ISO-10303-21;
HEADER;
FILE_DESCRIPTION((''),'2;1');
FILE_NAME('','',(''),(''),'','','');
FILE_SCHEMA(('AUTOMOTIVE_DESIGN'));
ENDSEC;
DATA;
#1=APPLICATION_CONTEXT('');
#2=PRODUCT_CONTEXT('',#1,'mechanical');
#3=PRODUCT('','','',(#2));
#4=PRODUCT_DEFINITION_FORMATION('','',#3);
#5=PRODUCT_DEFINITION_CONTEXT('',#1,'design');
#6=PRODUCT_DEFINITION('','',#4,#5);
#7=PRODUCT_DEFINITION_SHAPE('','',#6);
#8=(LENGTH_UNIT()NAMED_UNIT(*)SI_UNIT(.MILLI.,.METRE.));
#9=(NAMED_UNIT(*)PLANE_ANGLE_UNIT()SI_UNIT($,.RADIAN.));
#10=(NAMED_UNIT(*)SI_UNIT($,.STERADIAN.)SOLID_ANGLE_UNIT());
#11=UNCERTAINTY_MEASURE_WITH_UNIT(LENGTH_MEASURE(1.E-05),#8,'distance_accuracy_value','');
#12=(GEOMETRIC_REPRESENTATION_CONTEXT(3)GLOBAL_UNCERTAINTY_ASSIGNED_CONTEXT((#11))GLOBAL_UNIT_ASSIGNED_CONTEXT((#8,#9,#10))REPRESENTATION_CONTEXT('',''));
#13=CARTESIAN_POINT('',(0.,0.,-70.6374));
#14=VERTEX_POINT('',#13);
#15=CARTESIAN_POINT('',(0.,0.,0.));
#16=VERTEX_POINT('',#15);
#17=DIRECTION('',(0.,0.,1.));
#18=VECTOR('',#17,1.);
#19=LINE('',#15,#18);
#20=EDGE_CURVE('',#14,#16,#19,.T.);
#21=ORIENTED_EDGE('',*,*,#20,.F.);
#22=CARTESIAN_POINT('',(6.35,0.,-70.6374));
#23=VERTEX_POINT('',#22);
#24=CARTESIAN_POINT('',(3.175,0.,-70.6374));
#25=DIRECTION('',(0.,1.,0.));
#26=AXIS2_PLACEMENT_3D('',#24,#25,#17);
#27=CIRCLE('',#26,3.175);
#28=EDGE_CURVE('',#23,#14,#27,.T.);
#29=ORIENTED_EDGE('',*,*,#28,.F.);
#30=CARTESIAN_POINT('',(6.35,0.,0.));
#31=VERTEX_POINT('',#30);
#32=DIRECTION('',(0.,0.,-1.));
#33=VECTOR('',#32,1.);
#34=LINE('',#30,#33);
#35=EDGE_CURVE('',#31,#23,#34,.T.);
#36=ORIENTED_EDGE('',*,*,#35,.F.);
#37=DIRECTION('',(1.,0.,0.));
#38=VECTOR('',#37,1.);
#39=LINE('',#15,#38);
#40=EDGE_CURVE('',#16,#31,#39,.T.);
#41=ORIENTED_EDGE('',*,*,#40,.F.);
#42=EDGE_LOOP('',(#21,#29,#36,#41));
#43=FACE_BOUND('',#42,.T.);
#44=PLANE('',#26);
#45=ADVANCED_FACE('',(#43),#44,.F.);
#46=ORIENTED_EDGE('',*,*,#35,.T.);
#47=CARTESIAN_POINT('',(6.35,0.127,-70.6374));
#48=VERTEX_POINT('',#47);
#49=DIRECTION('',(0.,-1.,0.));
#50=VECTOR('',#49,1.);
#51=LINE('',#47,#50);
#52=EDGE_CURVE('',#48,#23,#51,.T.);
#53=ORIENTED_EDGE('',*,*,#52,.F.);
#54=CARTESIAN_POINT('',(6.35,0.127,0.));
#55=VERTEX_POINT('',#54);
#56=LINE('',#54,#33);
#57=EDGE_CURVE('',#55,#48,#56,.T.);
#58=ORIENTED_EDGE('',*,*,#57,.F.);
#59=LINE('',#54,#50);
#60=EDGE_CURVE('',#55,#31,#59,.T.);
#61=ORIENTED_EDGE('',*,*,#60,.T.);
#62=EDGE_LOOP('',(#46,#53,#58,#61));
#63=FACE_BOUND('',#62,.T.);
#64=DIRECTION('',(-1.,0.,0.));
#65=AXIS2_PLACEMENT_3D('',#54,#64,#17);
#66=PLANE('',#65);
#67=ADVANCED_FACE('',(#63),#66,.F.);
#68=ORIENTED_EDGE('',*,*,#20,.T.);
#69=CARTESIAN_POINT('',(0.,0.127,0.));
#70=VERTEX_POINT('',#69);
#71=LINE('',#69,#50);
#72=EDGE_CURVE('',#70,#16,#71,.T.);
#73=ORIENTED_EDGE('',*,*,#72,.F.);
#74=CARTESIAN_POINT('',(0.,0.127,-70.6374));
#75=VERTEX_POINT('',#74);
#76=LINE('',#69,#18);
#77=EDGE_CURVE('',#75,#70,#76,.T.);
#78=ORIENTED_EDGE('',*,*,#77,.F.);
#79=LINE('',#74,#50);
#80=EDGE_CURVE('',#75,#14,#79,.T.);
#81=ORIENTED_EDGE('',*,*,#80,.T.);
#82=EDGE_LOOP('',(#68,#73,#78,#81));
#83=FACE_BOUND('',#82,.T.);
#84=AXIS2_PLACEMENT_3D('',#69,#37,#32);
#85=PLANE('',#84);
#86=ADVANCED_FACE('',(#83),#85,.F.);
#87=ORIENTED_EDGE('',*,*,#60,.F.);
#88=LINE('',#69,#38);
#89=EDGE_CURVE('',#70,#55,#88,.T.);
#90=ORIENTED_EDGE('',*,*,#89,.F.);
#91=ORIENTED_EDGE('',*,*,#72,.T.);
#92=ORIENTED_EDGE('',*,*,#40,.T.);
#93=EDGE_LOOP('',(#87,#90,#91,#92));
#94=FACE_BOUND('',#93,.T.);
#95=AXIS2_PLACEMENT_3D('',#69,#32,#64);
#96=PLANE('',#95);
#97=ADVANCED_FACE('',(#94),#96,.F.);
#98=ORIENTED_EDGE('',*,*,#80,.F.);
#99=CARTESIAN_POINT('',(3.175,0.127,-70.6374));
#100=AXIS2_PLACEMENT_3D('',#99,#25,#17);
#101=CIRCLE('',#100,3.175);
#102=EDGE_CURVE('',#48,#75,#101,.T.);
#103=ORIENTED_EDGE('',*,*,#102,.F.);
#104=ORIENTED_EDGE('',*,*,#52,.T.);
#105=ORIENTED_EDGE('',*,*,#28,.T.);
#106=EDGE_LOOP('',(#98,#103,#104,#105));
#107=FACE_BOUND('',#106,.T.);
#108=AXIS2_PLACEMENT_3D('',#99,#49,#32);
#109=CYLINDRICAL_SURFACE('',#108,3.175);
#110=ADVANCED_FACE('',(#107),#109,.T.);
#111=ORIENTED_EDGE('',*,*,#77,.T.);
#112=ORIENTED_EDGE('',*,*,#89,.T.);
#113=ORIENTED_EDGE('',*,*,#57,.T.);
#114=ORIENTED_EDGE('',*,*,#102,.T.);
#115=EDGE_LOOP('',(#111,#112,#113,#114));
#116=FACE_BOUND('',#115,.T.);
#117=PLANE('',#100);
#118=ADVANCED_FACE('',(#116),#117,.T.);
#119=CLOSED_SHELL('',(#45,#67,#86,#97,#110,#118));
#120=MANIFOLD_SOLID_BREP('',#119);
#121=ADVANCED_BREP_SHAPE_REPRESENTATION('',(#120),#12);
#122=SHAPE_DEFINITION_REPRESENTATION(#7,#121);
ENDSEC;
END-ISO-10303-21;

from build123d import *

# Parameters (mm, degrees)
BOSS_EXTRUDE1_DEPTH = 0.127


with BuildPart() as part:
    # Sketch1 → Boss-Extrude1 (new body)
    with BuildSketch(Plane(origin=(0, 0, 0), x_dir=(1, 0, 0), z_dir=(0, 1, 0))):
        with BuildLine():
            Line((0, 0), (6.35, 0))
            Line((6.35, 0), (6.35, 70.6374))
            ThreePointArc((6.35, 70.6374), (3.175, 73.8124), (0, 70.6374))
            Line((0, 70.6374), (0, 0))
        make_face()
    extrude(amount=BOSS_EXTRUDE1_DEPTH)


solid = part.part
